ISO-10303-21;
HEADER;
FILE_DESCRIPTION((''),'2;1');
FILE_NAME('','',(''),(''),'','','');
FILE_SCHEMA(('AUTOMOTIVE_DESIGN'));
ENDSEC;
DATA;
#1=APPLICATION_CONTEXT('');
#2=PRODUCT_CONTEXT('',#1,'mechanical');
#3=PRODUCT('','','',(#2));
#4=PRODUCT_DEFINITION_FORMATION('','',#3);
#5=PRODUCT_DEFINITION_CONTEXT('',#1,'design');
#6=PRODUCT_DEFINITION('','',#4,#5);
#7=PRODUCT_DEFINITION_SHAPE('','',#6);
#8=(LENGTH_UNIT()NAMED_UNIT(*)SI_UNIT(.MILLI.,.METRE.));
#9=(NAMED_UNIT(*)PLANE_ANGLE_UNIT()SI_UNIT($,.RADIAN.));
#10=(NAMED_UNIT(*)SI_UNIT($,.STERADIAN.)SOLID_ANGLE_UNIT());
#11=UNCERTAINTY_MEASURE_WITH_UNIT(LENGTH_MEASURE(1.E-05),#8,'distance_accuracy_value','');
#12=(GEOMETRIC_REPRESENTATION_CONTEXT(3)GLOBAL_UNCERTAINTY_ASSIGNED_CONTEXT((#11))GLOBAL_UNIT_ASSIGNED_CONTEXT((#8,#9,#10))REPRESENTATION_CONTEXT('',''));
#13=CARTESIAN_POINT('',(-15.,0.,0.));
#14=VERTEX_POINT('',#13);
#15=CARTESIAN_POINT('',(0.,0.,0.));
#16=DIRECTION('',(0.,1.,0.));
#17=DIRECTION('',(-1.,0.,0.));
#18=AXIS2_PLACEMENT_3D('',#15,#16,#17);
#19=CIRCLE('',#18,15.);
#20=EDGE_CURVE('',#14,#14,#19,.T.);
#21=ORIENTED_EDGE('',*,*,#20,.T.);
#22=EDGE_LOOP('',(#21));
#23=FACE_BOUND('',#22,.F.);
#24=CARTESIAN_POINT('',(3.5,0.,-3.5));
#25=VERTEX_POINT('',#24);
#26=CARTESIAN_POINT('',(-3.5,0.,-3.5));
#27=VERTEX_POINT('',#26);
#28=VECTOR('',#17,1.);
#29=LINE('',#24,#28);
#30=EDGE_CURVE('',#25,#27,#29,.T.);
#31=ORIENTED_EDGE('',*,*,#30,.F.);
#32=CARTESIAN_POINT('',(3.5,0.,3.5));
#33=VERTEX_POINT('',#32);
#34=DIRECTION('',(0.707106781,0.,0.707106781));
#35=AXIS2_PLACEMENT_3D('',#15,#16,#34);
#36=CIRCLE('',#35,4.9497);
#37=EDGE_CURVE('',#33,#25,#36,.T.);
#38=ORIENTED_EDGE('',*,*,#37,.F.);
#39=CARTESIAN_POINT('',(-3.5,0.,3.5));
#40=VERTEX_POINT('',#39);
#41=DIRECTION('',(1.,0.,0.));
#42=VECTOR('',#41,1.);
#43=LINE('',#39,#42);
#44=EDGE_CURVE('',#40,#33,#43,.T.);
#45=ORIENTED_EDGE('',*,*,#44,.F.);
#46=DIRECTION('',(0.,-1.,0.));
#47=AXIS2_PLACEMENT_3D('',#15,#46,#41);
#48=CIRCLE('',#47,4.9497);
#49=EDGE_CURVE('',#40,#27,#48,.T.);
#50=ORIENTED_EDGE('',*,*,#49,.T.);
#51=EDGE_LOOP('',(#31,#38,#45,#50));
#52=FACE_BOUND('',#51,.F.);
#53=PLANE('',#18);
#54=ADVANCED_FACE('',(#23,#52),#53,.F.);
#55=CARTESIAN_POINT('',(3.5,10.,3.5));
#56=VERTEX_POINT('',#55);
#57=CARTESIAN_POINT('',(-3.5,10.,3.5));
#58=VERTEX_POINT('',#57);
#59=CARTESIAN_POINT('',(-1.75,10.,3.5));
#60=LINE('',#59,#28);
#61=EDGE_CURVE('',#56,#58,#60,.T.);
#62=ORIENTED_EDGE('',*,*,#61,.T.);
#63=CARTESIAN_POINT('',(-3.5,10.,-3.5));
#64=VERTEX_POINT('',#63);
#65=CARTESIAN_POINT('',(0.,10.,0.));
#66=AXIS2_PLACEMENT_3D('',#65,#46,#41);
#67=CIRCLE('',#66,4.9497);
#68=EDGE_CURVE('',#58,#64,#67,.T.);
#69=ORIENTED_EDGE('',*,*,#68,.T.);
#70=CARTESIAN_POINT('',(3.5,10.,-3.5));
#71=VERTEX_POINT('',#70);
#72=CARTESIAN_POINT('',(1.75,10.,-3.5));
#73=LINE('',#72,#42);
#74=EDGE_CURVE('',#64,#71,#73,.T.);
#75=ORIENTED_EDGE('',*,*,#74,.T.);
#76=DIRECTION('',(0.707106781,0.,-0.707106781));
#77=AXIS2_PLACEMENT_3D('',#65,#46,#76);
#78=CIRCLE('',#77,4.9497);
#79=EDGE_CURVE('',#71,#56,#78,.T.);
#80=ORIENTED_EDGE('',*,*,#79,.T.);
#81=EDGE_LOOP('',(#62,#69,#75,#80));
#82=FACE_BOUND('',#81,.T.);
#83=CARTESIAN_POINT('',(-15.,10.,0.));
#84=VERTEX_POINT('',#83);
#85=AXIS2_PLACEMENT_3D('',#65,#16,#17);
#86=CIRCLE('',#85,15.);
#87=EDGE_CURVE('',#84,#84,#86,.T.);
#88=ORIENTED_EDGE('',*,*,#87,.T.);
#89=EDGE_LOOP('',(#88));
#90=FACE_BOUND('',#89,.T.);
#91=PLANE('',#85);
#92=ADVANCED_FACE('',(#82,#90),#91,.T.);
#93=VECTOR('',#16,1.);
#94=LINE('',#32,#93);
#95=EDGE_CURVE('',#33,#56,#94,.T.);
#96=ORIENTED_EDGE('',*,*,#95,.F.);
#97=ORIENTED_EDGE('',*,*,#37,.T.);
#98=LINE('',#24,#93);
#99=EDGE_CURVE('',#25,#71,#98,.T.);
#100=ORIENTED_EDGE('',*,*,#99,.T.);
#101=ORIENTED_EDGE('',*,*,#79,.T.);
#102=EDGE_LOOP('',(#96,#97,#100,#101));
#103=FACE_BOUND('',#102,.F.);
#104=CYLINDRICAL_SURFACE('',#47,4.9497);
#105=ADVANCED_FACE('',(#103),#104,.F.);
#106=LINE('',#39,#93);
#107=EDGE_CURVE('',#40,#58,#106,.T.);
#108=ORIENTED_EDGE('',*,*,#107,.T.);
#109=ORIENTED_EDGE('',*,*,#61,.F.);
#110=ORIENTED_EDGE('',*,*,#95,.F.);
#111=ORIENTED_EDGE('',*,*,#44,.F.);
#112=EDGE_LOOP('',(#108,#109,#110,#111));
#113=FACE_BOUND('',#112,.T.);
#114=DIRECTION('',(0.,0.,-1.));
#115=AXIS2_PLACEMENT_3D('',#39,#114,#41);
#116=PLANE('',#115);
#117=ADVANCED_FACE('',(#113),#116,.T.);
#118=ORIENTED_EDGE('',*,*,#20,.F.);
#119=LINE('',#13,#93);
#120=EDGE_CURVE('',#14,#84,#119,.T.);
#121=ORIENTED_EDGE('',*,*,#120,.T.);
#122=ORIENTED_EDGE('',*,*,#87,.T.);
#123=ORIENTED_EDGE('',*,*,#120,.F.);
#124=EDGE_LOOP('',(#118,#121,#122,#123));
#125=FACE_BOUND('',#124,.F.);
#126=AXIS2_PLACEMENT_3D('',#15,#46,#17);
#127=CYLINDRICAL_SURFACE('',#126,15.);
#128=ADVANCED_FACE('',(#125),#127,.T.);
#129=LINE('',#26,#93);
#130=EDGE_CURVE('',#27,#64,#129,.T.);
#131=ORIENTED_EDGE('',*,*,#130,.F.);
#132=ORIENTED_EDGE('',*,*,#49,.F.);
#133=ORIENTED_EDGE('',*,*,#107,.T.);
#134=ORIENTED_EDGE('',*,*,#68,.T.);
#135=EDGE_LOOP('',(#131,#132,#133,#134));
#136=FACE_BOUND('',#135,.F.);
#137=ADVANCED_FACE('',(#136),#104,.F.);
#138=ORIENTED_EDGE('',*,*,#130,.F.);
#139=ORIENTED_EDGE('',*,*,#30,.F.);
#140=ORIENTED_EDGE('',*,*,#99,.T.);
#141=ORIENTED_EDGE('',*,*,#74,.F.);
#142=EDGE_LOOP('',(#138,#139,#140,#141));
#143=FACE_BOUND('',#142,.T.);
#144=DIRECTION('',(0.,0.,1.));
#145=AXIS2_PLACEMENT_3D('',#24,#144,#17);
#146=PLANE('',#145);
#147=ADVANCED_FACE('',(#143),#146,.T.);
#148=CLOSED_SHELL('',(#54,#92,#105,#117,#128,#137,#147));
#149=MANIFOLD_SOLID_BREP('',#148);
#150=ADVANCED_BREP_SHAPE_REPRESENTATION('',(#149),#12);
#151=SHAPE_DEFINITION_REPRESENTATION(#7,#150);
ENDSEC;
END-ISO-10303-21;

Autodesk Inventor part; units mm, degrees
ref_plane "YZ Plane" through (0, 0, 0) normal (1, 0, 0) x (0, 1, 0)
ref_plane "XZ Plane" through (0, 0, 0) normal (0, 1, 0) x (-1, 0, 0)
ref_plane "XY Plane" through (0, 0, 0) normal (0, 0, 1) x (1, 0, 0)
sketch "Sketch1" plane through (0, 0, 0) normal (0, 1, 0) x (-1, 0, 0)
  circle A0 centre (0, 0) radius 15
  dimension "d0" = 30
extrude "Extrusion1" add sketch "Sketch1" along normal blind 10
sketch "Sketch2" plane through (0, 0, 0) normal (0, -1, 0) x (1, 0, 0)
  line L0 (-3.5, 3.5) -> (3.5, 3.5)
  line L1 (3.5, 3.5) -> (3.5, -3.5)
  line L2 (3.5, -3.5) -> (-3.5, -3.5)
  line L3 (-3.5, -3.5) -> (-3.5, 3.5)
  circle A0 centre (0, 0) radius 4.9497
  dimension "d3" = 7
  dimension "d4" = 7
  dimension "d5" = 3.5
  dimension "d6" = 3.5
extrude "Extrusion2" cut sketch "Sketch2" against normal blind 12.7 contours L0 L1 L2 L3 | L3 A0 | A0 L1
equation "\"d5\" = 0.5 * d4"
equation "\"d6\" = 0.5 * d3"
properties part number "generic-launcher-blank"
